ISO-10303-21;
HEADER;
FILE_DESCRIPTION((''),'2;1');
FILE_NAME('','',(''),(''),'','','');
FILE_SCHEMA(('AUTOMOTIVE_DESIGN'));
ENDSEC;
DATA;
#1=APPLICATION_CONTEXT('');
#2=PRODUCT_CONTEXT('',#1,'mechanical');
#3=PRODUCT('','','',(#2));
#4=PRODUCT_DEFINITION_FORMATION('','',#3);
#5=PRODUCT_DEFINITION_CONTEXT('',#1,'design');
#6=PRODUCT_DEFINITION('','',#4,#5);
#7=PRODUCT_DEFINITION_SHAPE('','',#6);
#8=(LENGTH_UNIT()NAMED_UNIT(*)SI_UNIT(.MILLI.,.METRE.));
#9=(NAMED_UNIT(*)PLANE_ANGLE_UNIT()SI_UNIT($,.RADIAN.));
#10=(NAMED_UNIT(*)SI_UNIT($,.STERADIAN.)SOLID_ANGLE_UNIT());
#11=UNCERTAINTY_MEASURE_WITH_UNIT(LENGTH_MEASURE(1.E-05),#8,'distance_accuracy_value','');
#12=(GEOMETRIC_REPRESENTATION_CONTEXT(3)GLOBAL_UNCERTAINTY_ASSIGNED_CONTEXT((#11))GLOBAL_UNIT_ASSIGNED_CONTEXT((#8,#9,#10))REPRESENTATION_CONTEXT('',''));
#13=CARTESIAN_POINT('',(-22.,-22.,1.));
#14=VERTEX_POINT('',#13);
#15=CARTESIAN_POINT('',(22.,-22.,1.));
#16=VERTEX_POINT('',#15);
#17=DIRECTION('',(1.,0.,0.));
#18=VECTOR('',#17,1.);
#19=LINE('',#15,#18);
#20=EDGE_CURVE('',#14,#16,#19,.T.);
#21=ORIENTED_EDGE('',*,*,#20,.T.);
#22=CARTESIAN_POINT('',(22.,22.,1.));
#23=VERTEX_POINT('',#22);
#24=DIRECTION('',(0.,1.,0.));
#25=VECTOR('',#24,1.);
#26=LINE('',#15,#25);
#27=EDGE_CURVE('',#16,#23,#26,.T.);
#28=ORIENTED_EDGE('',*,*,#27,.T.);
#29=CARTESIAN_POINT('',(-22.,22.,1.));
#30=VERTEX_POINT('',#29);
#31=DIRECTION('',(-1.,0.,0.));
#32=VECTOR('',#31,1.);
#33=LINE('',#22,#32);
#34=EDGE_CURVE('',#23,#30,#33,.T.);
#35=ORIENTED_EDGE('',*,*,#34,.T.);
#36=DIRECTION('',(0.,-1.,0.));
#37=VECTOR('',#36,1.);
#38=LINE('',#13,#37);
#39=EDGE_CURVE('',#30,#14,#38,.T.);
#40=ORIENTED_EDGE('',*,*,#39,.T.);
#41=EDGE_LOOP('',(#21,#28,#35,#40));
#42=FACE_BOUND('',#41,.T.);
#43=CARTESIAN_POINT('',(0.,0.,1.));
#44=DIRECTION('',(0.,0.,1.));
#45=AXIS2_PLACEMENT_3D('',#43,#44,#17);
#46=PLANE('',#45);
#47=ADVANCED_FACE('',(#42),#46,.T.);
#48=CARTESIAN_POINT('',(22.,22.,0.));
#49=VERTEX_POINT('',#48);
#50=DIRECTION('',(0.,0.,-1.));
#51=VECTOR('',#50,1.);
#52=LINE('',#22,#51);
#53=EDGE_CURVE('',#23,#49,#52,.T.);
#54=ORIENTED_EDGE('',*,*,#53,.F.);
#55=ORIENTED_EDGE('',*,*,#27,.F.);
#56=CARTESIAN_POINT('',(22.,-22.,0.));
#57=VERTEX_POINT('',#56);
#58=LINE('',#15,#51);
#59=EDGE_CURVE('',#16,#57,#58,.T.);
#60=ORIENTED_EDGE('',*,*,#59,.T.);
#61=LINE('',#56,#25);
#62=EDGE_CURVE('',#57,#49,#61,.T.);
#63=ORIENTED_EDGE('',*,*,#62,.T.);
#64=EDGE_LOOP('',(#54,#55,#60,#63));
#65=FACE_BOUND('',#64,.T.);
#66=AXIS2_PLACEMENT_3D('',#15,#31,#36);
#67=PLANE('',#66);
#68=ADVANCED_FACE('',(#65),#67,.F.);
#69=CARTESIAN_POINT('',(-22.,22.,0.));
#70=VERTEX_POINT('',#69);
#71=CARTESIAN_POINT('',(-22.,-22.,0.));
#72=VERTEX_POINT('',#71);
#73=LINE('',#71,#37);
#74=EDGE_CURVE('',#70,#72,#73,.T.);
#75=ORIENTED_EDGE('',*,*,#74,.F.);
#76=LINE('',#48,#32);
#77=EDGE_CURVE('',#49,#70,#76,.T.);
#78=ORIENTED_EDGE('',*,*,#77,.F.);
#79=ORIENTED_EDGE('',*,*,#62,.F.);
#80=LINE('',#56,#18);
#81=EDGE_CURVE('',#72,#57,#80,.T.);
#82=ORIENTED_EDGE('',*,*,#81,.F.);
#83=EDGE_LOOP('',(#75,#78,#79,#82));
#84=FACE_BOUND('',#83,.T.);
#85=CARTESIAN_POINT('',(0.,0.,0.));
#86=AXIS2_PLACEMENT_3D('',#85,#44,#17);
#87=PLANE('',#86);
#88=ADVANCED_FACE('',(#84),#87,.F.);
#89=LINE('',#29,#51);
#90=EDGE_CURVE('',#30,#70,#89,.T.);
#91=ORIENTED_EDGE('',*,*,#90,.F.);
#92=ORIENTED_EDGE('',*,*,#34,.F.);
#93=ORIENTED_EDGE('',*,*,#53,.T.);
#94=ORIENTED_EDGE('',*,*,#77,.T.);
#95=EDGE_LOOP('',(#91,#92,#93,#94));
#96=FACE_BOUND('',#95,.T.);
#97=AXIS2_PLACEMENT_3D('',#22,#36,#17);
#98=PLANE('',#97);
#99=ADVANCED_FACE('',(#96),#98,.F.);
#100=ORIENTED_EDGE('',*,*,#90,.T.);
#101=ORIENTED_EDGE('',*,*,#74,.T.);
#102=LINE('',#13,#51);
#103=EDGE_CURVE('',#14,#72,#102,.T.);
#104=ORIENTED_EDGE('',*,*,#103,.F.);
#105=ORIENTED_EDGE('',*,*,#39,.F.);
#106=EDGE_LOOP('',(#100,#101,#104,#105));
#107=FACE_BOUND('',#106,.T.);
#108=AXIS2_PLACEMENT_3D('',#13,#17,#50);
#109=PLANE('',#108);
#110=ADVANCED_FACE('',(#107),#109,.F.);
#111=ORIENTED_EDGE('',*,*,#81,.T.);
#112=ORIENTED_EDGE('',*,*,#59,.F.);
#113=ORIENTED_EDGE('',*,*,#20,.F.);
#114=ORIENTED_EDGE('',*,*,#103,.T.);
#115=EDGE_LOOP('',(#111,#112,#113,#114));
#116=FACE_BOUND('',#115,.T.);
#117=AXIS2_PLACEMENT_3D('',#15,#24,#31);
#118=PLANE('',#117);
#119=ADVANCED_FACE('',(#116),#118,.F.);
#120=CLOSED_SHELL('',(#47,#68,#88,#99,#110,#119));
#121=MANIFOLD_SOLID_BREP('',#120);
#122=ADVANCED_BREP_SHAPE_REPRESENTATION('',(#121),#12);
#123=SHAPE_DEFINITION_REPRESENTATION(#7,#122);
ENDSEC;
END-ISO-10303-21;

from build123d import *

# Parameters (mm, degrees)
ESQUISSE1_W        = 44
ESQUISSE1_H        = 44
BOSS_EXTRU_1_DEPTH = 1


with BuildPart() as part:
    # Esquisse1 → Boss.-Extru.1 (new body)
    with BuildSketch(Plane.XY):
        Rectangle(ESQUISSE1_W, ESQUISSE1_H)
    extrude(amount=BOSS_EXTRU_1_DEPTH)


solid = part.part
